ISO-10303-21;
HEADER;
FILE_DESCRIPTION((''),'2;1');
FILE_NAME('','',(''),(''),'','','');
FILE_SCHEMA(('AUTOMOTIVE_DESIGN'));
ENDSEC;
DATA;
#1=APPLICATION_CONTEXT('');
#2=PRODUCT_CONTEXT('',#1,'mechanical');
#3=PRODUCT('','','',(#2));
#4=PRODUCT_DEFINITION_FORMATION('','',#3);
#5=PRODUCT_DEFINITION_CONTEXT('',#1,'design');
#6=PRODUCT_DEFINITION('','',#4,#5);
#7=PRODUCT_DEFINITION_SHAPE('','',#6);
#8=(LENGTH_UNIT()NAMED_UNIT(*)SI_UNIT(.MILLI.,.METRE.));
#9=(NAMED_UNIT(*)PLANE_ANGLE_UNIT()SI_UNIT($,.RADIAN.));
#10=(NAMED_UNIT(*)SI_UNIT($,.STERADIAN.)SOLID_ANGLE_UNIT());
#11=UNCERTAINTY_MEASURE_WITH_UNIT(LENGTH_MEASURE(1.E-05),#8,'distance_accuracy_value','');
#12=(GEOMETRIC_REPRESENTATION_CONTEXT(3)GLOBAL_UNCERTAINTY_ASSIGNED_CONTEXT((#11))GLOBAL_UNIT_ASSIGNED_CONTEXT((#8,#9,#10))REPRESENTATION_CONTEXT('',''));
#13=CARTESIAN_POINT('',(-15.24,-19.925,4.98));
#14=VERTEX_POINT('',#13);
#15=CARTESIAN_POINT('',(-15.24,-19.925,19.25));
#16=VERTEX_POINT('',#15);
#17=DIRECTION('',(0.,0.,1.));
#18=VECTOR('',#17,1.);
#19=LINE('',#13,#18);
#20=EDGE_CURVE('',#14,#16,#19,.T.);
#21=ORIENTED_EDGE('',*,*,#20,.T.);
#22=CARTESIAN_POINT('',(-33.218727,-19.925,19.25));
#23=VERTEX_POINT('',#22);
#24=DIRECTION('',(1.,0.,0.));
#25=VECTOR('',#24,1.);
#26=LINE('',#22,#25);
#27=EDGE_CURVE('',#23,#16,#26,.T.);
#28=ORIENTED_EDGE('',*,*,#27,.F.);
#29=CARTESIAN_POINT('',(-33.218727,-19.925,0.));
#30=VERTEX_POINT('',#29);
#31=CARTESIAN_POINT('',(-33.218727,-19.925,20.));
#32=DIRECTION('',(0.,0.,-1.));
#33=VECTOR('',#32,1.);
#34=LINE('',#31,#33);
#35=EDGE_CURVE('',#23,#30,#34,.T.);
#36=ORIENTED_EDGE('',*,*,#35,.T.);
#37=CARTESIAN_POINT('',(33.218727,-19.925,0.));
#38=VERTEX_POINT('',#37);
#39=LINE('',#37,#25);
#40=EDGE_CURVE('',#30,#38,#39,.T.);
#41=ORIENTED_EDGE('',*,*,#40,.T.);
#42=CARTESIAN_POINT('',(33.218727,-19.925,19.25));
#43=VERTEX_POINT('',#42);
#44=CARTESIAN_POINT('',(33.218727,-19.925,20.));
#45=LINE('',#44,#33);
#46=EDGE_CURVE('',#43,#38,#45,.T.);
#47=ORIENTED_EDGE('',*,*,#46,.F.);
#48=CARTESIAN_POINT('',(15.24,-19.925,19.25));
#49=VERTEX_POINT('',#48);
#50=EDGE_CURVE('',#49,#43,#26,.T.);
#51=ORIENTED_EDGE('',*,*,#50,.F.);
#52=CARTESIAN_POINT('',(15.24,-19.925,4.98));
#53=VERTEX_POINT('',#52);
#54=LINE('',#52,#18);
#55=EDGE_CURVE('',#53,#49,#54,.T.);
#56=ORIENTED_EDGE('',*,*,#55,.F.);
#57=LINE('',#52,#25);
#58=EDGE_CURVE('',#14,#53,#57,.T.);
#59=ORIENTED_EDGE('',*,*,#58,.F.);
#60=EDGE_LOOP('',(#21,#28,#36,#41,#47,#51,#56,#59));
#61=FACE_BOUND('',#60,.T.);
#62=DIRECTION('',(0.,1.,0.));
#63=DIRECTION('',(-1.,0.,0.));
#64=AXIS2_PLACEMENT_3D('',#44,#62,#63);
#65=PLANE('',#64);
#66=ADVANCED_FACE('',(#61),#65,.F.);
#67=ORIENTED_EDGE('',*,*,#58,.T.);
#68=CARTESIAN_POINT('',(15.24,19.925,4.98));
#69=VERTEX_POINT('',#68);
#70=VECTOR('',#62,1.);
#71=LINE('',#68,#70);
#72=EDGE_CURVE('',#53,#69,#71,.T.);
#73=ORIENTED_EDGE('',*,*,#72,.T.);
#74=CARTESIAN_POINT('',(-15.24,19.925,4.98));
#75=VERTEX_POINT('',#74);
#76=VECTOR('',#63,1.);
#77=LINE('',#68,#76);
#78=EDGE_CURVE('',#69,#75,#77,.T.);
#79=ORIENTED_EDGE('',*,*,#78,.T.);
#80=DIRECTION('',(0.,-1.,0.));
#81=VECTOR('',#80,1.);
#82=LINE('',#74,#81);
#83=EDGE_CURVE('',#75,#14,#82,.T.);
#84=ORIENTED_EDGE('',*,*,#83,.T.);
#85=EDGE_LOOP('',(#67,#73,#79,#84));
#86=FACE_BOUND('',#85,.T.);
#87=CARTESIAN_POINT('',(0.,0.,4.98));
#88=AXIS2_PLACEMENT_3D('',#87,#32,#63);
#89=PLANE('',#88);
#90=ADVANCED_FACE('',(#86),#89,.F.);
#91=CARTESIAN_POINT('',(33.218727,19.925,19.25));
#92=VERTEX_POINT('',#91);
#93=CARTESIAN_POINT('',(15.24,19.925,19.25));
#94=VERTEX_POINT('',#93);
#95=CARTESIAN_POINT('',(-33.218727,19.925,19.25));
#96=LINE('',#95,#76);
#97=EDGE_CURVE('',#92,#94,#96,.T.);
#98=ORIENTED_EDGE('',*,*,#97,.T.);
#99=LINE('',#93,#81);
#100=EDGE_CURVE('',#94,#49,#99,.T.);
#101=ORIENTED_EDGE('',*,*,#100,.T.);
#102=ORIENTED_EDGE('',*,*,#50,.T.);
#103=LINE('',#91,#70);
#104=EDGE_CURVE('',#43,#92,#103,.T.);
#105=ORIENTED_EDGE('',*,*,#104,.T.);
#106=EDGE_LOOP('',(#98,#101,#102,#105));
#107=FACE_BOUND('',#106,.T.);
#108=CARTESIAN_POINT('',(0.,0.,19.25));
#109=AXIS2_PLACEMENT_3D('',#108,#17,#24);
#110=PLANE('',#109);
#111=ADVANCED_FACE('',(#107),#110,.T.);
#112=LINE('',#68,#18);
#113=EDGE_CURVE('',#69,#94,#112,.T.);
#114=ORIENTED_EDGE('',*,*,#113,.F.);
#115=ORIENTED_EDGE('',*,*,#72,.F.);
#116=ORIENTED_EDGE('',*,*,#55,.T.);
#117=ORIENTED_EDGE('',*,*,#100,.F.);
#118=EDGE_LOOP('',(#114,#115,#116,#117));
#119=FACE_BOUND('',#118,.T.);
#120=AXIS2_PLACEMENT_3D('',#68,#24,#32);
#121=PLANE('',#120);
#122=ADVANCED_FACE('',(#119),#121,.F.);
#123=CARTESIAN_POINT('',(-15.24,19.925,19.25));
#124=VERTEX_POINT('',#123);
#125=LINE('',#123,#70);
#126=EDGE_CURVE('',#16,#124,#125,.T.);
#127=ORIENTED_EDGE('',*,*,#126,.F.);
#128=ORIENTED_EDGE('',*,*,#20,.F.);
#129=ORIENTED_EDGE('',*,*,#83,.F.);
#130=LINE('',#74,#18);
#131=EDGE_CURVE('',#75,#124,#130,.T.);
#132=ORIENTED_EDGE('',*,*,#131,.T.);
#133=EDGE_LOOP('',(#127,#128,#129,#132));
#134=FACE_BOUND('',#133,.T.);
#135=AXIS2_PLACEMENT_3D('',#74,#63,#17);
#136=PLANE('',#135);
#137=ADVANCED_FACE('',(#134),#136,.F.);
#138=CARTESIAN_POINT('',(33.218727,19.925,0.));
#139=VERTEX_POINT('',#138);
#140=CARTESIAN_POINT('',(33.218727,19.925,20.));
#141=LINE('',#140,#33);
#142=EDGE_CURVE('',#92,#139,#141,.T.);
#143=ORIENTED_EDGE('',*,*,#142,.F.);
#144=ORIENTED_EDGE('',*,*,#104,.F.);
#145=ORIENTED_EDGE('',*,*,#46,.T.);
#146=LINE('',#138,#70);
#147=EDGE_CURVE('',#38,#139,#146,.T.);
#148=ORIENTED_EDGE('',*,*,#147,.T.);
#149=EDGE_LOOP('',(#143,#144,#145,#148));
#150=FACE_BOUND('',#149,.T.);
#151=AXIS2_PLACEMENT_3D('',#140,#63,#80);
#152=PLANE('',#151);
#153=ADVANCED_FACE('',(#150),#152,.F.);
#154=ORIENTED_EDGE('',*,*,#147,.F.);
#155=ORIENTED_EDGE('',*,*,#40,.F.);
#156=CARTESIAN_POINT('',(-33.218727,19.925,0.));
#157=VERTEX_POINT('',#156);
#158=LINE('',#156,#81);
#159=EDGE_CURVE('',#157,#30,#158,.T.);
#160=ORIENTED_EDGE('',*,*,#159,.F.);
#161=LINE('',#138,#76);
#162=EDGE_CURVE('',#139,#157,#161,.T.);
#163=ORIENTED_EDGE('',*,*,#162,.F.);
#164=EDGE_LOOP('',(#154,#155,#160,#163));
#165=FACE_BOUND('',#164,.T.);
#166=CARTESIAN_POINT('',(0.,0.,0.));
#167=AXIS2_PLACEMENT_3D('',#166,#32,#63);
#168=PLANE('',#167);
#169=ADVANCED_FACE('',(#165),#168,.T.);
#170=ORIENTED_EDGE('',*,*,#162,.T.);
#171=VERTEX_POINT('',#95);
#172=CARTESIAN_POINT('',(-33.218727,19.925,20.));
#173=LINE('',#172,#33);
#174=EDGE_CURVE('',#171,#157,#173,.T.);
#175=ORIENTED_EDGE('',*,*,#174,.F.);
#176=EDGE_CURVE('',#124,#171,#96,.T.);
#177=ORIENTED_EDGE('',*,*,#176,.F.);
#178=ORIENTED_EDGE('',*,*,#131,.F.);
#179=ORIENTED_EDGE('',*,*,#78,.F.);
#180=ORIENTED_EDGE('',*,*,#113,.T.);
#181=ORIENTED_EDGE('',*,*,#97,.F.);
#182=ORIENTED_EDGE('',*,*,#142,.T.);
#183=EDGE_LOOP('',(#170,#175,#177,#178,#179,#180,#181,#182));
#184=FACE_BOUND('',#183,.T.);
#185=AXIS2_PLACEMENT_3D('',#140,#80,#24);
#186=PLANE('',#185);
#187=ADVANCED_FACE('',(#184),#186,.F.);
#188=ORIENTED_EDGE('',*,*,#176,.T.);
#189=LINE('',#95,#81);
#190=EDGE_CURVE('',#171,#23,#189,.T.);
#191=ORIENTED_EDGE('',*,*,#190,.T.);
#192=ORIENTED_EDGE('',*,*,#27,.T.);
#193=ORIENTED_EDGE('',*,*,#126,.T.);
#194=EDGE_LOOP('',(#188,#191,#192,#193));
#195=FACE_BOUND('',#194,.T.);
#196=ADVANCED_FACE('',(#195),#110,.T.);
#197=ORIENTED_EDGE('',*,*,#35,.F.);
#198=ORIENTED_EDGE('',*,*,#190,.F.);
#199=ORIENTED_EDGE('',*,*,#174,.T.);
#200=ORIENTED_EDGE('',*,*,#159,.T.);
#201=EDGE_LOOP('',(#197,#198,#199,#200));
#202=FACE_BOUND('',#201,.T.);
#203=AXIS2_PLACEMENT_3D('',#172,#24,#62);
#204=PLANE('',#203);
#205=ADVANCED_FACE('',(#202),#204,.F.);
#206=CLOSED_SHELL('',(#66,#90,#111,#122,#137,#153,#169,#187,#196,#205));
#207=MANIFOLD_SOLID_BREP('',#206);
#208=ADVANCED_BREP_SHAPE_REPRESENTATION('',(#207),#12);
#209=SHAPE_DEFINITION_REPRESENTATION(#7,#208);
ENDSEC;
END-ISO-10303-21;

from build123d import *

# Parameters (mm, degrees)
SKETCH1_W           = 66.43745389
SKETCH1_H           = 39.85
BOSS_EXTRUDE1_DEPTH = 20
SKETCH2_W           = 30.48
SKETCH2_H           = 39.85
CUT_EXTRUDE1_DEPTH  = 15.02
SKETCH3_W           = 66.43745389
SKETCH3_H           = 39.85
CUT_EXTRUDE2_DEPTH  = 0.75


with BuildPart() as part:
    # Sketch1 → Boss-Extrude1 (new body)
    with BuildSketch(Plane.XY):
        Rectangle(SKETCH1_W, SKETCH1_H)
    extrude(amount=BOSS_EXTRUDE1_DEPTH)

    # Sketch2 → Cut-Extrude1 (cut)
    with BuildSketch(Plane.XY.offset(20)):
        Rectangle(SKETCH2_W, SKETCH2_H)
    extrude(amount=-CUT_EXTRUDE1_DEPTH, mode=Mode.SUBTRACT)

    # Sketch3 → Cut-Extrude2 (cut)
    with BuildSketch(Plane.XY.offset(20)):
        Rectangle(SKETCH3_W, SKETCH3_H)
    extrude(amount=-CUT_EXTRUDE2_DEPTH, mode=Mode.SUBTRACT)


solid = part.part
